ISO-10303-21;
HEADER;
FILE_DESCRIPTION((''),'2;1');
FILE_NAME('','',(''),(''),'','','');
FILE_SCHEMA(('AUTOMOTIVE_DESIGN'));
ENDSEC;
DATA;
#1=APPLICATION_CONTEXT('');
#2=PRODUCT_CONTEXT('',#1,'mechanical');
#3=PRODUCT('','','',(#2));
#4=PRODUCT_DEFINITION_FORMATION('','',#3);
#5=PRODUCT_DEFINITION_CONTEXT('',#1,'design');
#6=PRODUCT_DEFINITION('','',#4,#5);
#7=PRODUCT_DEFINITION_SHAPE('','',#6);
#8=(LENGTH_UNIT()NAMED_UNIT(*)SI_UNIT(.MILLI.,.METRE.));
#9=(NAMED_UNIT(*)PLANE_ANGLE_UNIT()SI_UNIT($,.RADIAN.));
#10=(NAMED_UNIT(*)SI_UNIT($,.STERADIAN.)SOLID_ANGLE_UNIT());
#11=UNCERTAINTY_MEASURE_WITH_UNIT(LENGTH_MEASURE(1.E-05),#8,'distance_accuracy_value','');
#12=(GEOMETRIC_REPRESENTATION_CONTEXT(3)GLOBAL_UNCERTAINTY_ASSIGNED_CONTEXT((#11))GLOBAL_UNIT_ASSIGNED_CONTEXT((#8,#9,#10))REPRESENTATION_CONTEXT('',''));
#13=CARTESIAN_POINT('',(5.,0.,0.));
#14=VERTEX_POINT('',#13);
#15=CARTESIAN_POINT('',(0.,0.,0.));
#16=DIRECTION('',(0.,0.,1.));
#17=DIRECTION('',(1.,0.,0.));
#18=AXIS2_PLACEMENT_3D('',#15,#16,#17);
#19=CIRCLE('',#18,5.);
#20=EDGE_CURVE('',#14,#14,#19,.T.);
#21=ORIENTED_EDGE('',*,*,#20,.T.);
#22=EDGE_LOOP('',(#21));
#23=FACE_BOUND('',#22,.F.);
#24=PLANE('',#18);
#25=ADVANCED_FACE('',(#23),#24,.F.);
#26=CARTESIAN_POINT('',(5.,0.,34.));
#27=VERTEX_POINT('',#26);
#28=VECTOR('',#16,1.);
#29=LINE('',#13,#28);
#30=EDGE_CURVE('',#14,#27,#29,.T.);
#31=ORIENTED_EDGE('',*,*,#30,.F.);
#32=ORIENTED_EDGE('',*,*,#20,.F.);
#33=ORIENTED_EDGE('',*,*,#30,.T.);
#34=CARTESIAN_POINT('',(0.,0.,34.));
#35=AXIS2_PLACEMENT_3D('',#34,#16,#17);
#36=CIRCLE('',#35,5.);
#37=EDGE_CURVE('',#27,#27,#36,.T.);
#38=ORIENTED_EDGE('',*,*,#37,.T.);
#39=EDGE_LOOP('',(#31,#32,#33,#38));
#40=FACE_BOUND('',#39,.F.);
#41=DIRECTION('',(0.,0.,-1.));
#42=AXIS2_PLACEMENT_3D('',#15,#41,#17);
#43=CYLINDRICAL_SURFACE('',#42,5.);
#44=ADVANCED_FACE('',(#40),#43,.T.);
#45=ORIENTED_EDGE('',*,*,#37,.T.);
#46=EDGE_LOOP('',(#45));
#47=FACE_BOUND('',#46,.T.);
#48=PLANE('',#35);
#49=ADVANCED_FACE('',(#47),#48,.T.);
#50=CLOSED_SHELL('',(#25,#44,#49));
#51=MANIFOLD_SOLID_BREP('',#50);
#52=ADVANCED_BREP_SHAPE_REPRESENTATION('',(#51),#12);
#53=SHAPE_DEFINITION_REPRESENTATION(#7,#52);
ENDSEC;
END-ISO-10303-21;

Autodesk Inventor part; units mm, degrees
ref_plane "YZ Plane" through (0, 0, 0) normal (1, 0, 0) x (0, 1, 0)
ref_plane "XZ Plane" through (0, 0, 0) normal (0, 1, 0) x (-1, 0, 0)
ref_plane "XY Plane" through (0, 0, 0) normal (0, 0, 1) x (1, 0, 0)
sketch "Skizze1" plane through (0, 0, 0) normal (0, 0, 1) x (1, 0, 0)
  circle A0 centre (0, 0) radius 5
  dimension "d0" = 10
extrude "Extrusion1" add sketch "Skizze1" along normal blind 34
properties part number "BauteilWelle9"
